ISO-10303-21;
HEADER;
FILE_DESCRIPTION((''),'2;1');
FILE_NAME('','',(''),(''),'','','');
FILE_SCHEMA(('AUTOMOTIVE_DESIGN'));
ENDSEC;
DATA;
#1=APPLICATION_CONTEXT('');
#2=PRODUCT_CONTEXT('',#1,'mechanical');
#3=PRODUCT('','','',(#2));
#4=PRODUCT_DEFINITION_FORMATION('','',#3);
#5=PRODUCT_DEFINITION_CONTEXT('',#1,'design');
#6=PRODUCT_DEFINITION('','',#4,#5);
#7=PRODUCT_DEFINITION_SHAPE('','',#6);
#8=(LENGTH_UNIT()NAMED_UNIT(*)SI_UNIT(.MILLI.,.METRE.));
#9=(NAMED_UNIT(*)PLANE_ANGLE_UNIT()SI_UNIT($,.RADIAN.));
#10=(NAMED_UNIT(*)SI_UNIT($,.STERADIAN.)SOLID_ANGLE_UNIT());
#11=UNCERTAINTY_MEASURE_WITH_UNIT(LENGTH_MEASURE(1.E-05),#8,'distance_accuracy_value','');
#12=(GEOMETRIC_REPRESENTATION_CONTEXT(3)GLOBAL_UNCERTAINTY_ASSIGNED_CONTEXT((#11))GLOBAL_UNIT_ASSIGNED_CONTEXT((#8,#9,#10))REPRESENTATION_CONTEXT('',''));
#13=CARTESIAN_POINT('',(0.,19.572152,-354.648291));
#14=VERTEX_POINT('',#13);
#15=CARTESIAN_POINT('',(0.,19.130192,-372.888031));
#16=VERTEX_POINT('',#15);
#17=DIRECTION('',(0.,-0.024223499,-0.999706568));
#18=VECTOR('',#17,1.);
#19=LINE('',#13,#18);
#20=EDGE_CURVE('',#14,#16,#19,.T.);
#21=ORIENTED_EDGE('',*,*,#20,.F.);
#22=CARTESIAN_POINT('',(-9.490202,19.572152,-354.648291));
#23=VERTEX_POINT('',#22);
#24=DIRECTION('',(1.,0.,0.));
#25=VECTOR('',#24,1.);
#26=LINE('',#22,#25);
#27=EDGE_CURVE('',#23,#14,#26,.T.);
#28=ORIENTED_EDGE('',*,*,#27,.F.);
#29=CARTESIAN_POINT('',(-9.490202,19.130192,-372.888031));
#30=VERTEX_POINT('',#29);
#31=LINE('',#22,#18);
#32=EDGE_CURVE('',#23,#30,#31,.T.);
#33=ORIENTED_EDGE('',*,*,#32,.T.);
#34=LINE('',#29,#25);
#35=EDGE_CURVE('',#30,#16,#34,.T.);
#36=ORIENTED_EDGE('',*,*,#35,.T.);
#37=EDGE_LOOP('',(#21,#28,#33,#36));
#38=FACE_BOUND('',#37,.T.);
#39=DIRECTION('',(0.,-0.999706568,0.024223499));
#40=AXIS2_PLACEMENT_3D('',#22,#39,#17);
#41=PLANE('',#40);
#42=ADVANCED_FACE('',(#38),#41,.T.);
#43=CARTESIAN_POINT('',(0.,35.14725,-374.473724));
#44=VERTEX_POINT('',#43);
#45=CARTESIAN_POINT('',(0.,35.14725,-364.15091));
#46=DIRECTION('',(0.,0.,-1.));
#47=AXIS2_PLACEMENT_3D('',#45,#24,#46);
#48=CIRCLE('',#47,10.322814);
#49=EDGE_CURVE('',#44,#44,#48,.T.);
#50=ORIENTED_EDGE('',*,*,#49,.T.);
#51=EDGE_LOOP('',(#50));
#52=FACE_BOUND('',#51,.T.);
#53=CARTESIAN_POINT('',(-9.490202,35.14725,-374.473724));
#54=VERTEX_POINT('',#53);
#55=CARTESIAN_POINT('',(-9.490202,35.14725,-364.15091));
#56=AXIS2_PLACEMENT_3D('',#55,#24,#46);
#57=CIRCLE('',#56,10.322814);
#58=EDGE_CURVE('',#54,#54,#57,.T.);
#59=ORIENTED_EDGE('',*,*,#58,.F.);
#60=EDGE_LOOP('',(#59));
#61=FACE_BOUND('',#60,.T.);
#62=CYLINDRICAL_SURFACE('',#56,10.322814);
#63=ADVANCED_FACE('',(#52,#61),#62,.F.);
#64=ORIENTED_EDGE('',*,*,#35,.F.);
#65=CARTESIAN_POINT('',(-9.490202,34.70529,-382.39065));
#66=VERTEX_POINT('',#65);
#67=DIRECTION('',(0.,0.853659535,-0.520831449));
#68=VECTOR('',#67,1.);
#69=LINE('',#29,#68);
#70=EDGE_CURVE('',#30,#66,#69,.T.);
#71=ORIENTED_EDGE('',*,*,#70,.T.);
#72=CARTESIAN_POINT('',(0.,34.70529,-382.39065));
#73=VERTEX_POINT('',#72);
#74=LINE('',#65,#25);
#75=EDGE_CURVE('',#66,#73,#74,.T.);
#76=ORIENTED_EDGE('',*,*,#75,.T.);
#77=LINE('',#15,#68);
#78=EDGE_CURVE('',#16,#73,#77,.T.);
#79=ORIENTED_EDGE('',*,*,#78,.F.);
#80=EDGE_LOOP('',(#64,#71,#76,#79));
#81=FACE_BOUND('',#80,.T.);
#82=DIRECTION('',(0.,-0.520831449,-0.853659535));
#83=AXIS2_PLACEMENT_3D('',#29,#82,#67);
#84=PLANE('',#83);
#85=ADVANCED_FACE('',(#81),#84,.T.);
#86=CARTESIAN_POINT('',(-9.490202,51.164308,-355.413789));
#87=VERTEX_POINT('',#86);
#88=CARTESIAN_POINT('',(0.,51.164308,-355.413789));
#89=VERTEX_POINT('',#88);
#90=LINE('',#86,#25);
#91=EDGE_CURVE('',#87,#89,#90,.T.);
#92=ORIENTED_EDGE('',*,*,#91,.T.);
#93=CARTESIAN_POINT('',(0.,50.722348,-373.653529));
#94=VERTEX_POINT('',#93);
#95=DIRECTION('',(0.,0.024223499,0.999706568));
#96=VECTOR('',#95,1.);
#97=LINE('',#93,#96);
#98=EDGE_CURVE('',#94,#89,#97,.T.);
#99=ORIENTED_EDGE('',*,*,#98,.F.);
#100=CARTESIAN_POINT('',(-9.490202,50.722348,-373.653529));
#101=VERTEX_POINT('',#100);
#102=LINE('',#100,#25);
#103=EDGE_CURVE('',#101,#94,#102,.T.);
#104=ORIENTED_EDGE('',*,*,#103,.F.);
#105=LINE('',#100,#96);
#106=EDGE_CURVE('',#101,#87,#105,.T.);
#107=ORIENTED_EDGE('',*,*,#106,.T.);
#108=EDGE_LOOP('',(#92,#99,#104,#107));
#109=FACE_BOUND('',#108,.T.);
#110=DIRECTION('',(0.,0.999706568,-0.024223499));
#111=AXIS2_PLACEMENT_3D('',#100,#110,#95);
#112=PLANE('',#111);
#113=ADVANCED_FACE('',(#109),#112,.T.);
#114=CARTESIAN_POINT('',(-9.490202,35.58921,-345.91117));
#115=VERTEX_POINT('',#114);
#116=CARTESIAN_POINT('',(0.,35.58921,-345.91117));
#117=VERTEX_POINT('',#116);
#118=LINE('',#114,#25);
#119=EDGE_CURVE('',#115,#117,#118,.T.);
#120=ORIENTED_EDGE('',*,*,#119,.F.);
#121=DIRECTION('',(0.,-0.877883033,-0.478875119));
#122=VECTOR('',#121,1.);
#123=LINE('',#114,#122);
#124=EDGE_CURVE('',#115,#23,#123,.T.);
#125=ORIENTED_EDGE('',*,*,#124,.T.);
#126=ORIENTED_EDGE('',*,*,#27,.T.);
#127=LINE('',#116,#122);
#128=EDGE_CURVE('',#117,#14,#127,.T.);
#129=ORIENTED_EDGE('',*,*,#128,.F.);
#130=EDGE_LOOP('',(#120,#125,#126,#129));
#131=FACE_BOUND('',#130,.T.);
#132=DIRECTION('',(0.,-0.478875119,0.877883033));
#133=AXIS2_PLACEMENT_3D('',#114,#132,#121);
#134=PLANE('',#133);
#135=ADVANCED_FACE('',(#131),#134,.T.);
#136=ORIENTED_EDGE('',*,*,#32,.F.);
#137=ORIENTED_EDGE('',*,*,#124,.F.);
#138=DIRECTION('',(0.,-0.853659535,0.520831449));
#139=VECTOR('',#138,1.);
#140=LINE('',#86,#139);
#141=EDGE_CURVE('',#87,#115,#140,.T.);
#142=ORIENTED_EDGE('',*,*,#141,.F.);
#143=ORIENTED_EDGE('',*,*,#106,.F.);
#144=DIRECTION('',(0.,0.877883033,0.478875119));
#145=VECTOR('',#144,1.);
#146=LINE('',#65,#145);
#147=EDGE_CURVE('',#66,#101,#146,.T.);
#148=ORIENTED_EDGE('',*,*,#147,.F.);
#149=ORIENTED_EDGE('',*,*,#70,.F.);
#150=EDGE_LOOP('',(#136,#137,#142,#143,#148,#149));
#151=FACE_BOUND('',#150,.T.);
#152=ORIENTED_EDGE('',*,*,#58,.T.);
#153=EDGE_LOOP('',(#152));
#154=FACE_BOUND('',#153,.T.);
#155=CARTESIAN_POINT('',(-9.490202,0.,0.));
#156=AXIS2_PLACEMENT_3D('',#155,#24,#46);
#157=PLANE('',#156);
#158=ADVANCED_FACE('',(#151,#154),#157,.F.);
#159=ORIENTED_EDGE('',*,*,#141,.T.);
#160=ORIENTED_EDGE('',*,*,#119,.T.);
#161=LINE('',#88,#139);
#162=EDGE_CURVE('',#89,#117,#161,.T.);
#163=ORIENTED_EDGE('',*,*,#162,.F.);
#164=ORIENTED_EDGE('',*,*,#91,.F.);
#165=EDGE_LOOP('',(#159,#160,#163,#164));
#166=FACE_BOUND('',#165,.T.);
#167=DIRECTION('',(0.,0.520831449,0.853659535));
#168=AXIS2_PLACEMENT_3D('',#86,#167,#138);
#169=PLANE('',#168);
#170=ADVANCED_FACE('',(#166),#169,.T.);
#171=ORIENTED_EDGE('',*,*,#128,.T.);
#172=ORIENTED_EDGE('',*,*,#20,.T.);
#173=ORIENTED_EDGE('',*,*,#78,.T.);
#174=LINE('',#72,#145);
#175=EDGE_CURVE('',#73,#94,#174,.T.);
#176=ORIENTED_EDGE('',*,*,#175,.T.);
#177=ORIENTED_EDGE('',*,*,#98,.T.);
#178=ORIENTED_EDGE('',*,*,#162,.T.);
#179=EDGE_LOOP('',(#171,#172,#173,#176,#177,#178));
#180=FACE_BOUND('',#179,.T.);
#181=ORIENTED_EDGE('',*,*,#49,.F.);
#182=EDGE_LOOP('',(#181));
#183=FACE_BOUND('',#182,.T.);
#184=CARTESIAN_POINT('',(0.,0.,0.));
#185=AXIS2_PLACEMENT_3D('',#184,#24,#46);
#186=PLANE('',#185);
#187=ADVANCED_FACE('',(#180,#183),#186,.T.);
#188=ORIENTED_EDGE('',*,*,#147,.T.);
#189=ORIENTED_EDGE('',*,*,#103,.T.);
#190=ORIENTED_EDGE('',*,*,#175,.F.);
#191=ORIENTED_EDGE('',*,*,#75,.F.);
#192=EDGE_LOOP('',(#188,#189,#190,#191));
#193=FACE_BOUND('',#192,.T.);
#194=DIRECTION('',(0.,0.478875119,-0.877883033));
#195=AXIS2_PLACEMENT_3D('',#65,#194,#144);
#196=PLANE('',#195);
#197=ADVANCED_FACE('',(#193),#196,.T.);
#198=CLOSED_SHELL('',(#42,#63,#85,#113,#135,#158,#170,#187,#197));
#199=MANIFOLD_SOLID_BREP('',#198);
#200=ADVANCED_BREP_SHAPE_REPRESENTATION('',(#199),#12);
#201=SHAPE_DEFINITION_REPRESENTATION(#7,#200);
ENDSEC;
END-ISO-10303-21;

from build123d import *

# Parameters (mm, degrees)
SKETCH1_R           = 10.322814
BOSS_EXTRUDE1_DEPTH = 9.490202


with BuildPart() as part:
    # Sketch1 → Boss-Extrude1 (new body)
    with BuildSketch(Plane(origin=(0, 0, 0), x_dir=(0, 0, -1), z_dir=(1, 0, 0))):
        Polygon((345.91117, 35.58921), (354.648291413, 19.572151802), (372.888031413, 19.130191802), (382.39065, 34.70529), (373.653528587, 50.722348198), (355.413788587, 51.164308198), align=None)
        with Locations((364.15091, 35.14725)):
            Circle(SKETCH1_R, mode=Mode.SUBTRACT)
    extrude(amount=-BOSS_EXTRUDE1_DEPTH)


solid = part.part
